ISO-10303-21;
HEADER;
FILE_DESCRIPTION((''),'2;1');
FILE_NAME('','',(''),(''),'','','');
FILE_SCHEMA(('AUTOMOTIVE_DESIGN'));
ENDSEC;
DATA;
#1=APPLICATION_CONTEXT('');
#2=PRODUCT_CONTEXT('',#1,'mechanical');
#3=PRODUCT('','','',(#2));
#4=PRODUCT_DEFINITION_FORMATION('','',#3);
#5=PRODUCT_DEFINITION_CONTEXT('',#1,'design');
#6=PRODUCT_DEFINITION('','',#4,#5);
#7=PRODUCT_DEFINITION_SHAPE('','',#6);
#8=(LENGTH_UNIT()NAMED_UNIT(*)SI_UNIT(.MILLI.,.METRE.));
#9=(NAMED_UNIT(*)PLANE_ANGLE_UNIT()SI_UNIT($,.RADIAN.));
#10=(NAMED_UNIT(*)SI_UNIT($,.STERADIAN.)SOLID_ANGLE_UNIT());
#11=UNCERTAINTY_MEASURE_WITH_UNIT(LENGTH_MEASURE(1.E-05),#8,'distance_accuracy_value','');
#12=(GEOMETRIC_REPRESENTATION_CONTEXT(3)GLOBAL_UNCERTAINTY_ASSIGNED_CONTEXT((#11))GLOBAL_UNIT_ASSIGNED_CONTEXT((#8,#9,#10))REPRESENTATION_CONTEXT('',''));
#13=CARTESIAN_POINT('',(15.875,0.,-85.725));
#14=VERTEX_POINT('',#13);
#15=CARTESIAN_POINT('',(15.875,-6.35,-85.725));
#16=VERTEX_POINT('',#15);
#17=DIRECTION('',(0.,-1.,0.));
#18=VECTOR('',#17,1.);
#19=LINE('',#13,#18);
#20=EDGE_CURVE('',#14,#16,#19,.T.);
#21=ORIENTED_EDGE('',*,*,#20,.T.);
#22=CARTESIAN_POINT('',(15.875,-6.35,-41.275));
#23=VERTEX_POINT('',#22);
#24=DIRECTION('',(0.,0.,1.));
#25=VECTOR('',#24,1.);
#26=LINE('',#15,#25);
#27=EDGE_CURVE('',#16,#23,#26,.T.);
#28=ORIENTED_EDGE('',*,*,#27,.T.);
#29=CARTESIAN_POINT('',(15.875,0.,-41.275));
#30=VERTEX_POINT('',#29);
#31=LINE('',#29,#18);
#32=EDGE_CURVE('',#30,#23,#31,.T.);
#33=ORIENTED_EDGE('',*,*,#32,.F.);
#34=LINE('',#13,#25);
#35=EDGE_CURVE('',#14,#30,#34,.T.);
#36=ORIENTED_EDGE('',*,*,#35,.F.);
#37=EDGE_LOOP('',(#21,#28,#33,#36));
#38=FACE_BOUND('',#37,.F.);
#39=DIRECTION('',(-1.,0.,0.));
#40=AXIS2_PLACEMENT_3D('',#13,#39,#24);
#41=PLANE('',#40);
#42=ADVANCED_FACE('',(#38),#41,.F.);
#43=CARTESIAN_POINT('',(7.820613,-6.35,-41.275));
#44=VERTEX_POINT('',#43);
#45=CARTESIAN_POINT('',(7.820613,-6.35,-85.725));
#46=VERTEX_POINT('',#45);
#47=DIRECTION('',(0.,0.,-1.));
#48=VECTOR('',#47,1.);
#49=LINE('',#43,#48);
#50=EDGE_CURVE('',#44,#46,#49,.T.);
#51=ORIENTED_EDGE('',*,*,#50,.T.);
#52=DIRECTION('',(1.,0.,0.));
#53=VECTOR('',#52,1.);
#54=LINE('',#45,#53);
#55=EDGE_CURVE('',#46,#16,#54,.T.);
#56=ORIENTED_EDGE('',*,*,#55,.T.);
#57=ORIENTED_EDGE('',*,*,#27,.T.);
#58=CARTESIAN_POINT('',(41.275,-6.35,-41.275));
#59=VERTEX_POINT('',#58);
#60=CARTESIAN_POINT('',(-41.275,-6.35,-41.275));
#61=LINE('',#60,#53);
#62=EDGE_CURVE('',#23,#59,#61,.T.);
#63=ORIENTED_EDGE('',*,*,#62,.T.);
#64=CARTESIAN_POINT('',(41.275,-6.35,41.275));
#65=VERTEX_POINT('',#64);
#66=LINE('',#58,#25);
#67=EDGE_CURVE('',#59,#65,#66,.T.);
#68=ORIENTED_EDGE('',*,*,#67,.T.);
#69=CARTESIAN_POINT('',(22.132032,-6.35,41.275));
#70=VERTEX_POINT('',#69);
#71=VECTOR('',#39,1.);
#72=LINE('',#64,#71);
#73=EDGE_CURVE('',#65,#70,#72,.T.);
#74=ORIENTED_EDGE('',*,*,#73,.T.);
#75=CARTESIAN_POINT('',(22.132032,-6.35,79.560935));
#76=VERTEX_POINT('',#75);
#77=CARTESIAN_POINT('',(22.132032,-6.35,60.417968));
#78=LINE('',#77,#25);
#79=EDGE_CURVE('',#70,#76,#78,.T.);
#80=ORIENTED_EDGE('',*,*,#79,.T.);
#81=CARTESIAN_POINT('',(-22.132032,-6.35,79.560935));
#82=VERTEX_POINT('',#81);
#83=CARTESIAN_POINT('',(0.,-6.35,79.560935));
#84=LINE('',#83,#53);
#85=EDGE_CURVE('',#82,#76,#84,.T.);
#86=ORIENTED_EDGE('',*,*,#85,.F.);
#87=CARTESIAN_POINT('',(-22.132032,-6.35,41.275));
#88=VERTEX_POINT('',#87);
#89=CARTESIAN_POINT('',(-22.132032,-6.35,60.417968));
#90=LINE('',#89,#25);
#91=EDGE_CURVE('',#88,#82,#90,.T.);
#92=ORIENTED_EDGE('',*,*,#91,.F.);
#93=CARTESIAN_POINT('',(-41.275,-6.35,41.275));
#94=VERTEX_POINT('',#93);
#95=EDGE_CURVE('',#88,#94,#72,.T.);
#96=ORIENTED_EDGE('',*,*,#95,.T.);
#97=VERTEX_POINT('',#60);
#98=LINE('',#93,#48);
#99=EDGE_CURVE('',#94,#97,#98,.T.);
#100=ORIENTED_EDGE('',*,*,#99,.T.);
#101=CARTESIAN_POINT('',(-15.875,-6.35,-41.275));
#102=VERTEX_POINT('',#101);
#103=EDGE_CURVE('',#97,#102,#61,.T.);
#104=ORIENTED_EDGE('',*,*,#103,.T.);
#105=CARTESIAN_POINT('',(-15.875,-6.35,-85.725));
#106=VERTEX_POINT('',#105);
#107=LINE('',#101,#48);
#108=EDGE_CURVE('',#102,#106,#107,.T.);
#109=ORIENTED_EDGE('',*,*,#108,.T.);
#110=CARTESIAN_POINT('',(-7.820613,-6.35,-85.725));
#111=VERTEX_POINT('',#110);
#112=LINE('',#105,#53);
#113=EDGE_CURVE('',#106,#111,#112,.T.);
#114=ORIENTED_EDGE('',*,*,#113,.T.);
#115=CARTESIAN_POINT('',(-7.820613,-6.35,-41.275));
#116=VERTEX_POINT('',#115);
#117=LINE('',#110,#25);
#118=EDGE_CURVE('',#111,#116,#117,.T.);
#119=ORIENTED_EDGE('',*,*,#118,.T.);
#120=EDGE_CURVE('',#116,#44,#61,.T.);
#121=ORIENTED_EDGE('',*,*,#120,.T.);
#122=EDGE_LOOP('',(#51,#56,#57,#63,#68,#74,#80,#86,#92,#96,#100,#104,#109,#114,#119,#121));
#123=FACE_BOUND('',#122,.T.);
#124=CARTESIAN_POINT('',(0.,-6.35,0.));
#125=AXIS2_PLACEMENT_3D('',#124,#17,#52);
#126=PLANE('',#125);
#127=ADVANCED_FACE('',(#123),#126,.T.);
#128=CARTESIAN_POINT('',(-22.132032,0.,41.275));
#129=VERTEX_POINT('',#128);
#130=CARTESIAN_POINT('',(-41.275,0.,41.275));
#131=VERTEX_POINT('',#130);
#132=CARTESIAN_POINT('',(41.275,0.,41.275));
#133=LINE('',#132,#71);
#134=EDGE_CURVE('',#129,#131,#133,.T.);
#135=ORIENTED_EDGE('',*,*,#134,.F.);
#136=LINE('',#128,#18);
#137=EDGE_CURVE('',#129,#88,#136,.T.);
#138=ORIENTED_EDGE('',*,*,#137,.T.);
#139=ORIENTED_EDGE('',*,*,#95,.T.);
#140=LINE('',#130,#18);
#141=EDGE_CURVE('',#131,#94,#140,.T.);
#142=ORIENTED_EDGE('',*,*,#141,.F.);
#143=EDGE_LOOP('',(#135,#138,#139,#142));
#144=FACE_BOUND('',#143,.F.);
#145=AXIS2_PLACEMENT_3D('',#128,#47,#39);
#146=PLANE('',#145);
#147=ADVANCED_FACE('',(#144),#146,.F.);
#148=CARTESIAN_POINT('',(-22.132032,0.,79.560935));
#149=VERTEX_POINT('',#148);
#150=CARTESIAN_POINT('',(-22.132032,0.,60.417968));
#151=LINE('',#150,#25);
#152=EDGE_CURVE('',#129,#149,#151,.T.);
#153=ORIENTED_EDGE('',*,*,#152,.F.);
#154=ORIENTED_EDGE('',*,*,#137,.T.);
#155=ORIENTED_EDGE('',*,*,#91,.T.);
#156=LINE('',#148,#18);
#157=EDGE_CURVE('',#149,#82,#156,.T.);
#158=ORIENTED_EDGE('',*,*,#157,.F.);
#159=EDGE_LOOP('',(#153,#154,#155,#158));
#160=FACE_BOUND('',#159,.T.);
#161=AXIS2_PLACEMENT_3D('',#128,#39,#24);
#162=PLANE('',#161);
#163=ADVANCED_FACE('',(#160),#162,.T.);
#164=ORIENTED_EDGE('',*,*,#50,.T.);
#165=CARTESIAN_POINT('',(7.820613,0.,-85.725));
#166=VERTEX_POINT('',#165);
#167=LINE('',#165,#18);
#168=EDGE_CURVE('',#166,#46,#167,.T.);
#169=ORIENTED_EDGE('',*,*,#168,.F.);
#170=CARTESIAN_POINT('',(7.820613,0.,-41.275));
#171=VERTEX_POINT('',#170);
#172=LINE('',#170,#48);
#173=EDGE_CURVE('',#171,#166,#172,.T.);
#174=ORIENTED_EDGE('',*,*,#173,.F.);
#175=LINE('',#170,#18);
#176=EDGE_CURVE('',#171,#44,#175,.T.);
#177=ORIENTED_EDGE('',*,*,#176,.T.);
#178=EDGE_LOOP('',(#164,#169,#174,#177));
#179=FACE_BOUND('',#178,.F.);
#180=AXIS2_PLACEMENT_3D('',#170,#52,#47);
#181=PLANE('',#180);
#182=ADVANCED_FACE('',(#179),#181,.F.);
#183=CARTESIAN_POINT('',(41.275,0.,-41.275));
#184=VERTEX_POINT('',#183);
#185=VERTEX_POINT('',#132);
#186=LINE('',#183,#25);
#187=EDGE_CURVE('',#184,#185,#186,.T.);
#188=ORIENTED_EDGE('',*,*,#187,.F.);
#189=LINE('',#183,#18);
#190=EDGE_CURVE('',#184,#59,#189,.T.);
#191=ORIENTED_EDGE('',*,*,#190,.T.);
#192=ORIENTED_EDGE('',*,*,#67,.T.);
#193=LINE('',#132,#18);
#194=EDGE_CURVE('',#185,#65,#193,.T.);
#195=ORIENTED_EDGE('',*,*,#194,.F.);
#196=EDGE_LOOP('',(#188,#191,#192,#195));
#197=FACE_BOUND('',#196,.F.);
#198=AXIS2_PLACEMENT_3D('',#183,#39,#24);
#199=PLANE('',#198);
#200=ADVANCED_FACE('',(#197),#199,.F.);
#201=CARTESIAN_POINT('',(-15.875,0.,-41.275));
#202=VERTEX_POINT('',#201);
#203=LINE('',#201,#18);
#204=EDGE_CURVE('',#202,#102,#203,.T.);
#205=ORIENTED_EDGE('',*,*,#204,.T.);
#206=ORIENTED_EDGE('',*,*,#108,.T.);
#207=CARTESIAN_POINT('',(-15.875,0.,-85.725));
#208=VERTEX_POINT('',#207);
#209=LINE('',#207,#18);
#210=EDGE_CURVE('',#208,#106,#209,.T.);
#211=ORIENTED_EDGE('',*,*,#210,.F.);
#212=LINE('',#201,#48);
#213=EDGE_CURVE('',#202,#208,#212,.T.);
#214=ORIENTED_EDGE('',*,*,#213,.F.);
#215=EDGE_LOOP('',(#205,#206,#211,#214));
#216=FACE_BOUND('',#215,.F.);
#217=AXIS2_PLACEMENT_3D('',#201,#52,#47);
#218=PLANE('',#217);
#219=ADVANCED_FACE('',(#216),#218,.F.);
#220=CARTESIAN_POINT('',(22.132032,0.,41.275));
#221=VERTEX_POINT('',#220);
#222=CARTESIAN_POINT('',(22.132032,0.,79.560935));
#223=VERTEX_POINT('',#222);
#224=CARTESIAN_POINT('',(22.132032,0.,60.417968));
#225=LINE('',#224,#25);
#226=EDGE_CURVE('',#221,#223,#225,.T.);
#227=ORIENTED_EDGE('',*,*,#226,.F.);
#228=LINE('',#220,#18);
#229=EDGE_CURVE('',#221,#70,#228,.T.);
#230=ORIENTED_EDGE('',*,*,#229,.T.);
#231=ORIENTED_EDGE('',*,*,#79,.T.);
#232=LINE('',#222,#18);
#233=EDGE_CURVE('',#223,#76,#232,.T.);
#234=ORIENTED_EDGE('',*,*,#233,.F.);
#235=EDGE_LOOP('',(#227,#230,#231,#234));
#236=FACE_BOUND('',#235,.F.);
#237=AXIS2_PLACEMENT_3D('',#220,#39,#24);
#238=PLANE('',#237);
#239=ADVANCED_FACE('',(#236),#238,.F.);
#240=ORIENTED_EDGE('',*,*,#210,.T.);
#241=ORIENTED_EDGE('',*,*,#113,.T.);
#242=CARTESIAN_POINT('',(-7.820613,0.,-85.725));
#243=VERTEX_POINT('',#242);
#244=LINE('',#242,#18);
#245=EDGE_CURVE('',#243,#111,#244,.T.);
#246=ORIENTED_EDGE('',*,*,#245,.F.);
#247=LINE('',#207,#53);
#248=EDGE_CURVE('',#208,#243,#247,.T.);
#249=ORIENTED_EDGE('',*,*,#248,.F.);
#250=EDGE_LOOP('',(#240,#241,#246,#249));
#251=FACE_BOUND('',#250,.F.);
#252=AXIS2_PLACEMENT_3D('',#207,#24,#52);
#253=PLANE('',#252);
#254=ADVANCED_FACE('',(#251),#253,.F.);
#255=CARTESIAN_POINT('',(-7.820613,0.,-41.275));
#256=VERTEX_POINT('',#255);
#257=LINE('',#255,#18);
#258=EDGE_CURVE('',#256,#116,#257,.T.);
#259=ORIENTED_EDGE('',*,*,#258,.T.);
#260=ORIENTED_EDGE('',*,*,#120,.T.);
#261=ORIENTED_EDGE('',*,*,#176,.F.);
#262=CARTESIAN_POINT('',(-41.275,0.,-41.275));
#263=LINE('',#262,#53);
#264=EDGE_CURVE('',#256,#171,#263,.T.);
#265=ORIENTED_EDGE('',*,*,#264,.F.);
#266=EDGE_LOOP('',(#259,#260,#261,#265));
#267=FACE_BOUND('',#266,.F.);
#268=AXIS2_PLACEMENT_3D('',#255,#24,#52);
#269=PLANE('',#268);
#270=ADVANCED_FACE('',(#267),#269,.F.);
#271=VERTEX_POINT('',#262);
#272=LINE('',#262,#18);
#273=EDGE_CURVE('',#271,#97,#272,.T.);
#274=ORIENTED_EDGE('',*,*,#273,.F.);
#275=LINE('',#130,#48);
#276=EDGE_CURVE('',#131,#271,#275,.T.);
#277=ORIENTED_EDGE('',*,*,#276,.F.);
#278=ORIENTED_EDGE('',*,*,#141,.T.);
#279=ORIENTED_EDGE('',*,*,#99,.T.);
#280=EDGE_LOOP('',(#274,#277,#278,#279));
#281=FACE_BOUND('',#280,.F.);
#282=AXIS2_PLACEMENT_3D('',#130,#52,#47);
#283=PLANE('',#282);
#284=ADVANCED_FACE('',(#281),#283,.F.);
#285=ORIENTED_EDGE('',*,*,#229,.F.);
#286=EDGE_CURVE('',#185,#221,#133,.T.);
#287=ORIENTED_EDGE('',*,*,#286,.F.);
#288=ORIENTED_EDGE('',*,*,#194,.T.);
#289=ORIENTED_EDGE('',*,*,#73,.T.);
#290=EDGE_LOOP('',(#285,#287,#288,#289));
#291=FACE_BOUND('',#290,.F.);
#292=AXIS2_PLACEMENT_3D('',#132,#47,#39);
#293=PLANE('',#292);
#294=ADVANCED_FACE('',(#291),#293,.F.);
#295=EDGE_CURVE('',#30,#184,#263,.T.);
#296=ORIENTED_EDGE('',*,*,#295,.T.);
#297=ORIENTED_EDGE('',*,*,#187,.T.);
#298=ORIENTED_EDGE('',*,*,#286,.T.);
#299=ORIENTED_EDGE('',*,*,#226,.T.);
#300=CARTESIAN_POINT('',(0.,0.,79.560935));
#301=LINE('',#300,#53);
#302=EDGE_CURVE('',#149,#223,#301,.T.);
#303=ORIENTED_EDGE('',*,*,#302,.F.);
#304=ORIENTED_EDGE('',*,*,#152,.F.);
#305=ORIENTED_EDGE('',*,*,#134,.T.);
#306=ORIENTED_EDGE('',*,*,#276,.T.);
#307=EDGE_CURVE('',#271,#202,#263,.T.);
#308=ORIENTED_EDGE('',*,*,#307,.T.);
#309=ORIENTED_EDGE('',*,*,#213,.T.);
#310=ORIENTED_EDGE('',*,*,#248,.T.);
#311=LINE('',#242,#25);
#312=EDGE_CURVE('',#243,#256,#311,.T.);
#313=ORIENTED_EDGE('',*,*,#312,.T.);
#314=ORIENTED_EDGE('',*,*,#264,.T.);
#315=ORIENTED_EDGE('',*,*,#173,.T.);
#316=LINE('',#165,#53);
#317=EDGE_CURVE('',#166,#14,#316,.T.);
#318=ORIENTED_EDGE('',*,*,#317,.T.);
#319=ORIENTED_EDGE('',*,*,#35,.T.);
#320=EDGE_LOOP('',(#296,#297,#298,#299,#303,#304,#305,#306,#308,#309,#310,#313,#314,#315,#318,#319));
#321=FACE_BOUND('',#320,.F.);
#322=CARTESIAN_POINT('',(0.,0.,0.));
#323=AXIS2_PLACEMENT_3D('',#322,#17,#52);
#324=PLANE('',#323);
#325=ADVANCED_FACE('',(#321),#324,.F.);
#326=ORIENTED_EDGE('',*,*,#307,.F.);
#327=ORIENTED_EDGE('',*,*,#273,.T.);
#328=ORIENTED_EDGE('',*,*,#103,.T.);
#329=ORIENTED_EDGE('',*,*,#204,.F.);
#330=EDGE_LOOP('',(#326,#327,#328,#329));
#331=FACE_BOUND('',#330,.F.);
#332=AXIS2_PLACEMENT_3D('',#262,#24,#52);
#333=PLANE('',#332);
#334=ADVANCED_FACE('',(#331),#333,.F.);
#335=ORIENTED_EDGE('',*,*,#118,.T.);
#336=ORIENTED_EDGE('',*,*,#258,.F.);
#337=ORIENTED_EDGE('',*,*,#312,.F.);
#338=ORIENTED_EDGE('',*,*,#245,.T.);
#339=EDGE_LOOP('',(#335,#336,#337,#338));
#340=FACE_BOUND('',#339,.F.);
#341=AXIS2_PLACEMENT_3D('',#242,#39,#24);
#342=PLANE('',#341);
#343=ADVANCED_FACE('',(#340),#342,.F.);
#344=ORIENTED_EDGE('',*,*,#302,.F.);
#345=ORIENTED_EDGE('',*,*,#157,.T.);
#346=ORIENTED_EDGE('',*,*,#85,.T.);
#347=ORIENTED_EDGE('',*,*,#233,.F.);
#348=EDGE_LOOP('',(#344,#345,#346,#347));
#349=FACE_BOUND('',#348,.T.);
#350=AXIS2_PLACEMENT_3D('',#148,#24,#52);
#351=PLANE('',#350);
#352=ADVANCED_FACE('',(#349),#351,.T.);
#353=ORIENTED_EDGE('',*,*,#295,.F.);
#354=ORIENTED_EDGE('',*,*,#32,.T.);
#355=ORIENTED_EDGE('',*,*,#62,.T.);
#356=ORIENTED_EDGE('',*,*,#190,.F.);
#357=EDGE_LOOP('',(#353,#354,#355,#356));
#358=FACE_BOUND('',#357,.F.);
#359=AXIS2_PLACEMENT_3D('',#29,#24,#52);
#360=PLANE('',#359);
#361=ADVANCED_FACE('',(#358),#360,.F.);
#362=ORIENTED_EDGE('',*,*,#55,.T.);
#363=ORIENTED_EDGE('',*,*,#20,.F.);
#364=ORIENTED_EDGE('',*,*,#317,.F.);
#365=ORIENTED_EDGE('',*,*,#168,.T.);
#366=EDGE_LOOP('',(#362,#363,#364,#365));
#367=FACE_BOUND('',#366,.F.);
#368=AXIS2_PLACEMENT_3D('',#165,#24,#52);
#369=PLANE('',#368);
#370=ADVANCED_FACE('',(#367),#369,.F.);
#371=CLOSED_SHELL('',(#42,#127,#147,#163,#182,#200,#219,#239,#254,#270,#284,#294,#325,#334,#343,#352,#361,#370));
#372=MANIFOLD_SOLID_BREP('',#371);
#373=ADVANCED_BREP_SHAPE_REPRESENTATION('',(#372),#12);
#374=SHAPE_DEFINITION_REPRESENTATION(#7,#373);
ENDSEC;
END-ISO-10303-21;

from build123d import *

# Parameters (mm, degrees)
F0_W     = 44.2640645027
F0_H     = 38.2859354973
F1_DEPTH = 6.35


with BuildPart() as f1:
    # F0 (on Front) → F1 (new body)
    with BuildSketch(Plane.XZ):
        Polygon((41.275, -41.275), (41.275, 41.275), (22.1320322514, 41.275), (-22.1320322514, 41.275), (-41.275, 41.275), (-41.275, -41.275), (-15.875, -41.275), (-7.8206129843, -41.275), (7.8206129843, -41.275), (15.875, -41.275), align=None)
        with Locations((0, 60.4179677486)):
            Rectangle(F0_W, F0_H)
        Polygon((15.875, -85.725), (15.875, -41.275), (7.8206129843, -41.275), (7.8206129843, -85.5907460871), (7.8206129843, -85.725), align=None)
        Polygon((-7.8206129843, -85.5907460871), (-7.8206129843, -41.275), (-15.875, -41.275), (-15.875, -85.725), (-7.8206129843, -85.725), align=None)
    extrude(amount=F1_DEPTH)


solid = f1.part
